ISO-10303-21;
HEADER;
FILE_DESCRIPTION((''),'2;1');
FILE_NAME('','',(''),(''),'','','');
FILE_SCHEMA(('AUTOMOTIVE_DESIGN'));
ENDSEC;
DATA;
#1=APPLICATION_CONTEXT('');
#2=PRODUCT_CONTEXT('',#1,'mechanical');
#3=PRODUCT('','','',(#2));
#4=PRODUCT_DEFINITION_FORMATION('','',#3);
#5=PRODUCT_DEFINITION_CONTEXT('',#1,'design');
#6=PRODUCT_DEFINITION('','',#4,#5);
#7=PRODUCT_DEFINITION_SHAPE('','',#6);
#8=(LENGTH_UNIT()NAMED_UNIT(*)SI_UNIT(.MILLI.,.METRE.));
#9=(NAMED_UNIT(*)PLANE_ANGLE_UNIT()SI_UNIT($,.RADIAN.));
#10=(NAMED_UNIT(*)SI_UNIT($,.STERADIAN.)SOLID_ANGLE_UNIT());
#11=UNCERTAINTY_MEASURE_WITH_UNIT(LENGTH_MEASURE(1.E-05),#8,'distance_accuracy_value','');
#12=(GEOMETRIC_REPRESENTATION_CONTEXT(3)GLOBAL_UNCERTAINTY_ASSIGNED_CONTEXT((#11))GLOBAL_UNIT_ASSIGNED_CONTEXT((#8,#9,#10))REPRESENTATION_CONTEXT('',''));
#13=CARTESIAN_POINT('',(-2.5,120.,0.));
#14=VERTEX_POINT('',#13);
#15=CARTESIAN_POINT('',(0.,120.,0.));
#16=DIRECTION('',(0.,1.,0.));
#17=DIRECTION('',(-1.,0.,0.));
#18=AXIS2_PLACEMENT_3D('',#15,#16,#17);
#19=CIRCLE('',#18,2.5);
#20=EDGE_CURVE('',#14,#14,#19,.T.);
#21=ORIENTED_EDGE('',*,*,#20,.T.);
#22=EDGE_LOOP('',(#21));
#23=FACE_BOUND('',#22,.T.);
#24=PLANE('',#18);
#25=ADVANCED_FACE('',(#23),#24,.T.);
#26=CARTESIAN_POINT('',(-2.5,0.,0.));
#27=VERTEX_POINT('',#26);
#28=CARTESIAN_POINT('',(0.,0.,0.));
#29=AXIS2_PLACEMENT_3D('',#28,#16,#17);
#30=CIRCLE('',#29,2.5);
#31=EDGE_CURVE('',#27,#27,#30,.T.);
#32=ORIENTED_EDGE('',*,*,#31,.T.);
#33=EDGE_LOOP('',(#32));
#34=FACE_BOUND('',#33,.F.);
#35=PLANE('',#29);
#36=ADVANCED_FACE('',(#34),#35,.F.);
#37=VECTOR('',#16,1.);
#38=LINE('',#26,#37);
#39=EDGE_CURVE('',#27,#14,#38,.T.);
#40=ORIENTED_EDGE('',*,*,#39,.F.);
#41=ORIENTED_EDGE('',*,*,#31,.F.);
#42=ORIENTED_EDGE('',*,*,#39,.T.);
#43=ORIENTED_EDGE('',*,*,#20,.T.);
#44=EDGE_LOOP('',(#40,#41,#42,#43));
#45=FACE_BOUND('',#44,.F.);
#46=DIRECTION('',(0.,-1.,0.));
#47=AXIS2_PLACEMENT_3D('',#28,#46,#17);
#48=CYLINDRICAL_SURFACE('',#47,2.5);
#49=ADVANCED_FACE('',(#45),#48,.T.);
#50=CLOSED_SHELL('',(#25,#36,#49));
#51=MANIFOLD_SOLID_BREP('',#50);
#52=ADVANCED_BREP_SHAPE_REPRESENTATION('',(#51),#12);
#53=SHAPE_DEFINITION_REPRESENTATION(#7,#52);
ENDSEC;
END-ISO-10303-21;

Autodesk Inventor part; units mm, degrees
ref_plane "YZ Plane" through (0, 0, 0) normal (1, 0, 0) x (0, 1, 0)
ref_plane "XZ Plane" through (0, 0, 0) normal (0, 1, 0) x (-1, 0, 0)
ref_plane "XY Plane" through (0, 0, 0) normal (0, 0, 1) x (1, 0, 0)
sketch "Sketch1" plane through (0, 0, 0) normal (0, 1, 0) x (-1, 0, 0)
  circle A0 centre (0, 0) radius 2.5
  dimension "d2" = 5
extrude "Extrusion1" add sketch "Sketch1" along normal blind 120
thread "Thread1" size "M5x0.8" class "6g" standard "ANSI Metric M Profile" full length
properties part number "connector"
